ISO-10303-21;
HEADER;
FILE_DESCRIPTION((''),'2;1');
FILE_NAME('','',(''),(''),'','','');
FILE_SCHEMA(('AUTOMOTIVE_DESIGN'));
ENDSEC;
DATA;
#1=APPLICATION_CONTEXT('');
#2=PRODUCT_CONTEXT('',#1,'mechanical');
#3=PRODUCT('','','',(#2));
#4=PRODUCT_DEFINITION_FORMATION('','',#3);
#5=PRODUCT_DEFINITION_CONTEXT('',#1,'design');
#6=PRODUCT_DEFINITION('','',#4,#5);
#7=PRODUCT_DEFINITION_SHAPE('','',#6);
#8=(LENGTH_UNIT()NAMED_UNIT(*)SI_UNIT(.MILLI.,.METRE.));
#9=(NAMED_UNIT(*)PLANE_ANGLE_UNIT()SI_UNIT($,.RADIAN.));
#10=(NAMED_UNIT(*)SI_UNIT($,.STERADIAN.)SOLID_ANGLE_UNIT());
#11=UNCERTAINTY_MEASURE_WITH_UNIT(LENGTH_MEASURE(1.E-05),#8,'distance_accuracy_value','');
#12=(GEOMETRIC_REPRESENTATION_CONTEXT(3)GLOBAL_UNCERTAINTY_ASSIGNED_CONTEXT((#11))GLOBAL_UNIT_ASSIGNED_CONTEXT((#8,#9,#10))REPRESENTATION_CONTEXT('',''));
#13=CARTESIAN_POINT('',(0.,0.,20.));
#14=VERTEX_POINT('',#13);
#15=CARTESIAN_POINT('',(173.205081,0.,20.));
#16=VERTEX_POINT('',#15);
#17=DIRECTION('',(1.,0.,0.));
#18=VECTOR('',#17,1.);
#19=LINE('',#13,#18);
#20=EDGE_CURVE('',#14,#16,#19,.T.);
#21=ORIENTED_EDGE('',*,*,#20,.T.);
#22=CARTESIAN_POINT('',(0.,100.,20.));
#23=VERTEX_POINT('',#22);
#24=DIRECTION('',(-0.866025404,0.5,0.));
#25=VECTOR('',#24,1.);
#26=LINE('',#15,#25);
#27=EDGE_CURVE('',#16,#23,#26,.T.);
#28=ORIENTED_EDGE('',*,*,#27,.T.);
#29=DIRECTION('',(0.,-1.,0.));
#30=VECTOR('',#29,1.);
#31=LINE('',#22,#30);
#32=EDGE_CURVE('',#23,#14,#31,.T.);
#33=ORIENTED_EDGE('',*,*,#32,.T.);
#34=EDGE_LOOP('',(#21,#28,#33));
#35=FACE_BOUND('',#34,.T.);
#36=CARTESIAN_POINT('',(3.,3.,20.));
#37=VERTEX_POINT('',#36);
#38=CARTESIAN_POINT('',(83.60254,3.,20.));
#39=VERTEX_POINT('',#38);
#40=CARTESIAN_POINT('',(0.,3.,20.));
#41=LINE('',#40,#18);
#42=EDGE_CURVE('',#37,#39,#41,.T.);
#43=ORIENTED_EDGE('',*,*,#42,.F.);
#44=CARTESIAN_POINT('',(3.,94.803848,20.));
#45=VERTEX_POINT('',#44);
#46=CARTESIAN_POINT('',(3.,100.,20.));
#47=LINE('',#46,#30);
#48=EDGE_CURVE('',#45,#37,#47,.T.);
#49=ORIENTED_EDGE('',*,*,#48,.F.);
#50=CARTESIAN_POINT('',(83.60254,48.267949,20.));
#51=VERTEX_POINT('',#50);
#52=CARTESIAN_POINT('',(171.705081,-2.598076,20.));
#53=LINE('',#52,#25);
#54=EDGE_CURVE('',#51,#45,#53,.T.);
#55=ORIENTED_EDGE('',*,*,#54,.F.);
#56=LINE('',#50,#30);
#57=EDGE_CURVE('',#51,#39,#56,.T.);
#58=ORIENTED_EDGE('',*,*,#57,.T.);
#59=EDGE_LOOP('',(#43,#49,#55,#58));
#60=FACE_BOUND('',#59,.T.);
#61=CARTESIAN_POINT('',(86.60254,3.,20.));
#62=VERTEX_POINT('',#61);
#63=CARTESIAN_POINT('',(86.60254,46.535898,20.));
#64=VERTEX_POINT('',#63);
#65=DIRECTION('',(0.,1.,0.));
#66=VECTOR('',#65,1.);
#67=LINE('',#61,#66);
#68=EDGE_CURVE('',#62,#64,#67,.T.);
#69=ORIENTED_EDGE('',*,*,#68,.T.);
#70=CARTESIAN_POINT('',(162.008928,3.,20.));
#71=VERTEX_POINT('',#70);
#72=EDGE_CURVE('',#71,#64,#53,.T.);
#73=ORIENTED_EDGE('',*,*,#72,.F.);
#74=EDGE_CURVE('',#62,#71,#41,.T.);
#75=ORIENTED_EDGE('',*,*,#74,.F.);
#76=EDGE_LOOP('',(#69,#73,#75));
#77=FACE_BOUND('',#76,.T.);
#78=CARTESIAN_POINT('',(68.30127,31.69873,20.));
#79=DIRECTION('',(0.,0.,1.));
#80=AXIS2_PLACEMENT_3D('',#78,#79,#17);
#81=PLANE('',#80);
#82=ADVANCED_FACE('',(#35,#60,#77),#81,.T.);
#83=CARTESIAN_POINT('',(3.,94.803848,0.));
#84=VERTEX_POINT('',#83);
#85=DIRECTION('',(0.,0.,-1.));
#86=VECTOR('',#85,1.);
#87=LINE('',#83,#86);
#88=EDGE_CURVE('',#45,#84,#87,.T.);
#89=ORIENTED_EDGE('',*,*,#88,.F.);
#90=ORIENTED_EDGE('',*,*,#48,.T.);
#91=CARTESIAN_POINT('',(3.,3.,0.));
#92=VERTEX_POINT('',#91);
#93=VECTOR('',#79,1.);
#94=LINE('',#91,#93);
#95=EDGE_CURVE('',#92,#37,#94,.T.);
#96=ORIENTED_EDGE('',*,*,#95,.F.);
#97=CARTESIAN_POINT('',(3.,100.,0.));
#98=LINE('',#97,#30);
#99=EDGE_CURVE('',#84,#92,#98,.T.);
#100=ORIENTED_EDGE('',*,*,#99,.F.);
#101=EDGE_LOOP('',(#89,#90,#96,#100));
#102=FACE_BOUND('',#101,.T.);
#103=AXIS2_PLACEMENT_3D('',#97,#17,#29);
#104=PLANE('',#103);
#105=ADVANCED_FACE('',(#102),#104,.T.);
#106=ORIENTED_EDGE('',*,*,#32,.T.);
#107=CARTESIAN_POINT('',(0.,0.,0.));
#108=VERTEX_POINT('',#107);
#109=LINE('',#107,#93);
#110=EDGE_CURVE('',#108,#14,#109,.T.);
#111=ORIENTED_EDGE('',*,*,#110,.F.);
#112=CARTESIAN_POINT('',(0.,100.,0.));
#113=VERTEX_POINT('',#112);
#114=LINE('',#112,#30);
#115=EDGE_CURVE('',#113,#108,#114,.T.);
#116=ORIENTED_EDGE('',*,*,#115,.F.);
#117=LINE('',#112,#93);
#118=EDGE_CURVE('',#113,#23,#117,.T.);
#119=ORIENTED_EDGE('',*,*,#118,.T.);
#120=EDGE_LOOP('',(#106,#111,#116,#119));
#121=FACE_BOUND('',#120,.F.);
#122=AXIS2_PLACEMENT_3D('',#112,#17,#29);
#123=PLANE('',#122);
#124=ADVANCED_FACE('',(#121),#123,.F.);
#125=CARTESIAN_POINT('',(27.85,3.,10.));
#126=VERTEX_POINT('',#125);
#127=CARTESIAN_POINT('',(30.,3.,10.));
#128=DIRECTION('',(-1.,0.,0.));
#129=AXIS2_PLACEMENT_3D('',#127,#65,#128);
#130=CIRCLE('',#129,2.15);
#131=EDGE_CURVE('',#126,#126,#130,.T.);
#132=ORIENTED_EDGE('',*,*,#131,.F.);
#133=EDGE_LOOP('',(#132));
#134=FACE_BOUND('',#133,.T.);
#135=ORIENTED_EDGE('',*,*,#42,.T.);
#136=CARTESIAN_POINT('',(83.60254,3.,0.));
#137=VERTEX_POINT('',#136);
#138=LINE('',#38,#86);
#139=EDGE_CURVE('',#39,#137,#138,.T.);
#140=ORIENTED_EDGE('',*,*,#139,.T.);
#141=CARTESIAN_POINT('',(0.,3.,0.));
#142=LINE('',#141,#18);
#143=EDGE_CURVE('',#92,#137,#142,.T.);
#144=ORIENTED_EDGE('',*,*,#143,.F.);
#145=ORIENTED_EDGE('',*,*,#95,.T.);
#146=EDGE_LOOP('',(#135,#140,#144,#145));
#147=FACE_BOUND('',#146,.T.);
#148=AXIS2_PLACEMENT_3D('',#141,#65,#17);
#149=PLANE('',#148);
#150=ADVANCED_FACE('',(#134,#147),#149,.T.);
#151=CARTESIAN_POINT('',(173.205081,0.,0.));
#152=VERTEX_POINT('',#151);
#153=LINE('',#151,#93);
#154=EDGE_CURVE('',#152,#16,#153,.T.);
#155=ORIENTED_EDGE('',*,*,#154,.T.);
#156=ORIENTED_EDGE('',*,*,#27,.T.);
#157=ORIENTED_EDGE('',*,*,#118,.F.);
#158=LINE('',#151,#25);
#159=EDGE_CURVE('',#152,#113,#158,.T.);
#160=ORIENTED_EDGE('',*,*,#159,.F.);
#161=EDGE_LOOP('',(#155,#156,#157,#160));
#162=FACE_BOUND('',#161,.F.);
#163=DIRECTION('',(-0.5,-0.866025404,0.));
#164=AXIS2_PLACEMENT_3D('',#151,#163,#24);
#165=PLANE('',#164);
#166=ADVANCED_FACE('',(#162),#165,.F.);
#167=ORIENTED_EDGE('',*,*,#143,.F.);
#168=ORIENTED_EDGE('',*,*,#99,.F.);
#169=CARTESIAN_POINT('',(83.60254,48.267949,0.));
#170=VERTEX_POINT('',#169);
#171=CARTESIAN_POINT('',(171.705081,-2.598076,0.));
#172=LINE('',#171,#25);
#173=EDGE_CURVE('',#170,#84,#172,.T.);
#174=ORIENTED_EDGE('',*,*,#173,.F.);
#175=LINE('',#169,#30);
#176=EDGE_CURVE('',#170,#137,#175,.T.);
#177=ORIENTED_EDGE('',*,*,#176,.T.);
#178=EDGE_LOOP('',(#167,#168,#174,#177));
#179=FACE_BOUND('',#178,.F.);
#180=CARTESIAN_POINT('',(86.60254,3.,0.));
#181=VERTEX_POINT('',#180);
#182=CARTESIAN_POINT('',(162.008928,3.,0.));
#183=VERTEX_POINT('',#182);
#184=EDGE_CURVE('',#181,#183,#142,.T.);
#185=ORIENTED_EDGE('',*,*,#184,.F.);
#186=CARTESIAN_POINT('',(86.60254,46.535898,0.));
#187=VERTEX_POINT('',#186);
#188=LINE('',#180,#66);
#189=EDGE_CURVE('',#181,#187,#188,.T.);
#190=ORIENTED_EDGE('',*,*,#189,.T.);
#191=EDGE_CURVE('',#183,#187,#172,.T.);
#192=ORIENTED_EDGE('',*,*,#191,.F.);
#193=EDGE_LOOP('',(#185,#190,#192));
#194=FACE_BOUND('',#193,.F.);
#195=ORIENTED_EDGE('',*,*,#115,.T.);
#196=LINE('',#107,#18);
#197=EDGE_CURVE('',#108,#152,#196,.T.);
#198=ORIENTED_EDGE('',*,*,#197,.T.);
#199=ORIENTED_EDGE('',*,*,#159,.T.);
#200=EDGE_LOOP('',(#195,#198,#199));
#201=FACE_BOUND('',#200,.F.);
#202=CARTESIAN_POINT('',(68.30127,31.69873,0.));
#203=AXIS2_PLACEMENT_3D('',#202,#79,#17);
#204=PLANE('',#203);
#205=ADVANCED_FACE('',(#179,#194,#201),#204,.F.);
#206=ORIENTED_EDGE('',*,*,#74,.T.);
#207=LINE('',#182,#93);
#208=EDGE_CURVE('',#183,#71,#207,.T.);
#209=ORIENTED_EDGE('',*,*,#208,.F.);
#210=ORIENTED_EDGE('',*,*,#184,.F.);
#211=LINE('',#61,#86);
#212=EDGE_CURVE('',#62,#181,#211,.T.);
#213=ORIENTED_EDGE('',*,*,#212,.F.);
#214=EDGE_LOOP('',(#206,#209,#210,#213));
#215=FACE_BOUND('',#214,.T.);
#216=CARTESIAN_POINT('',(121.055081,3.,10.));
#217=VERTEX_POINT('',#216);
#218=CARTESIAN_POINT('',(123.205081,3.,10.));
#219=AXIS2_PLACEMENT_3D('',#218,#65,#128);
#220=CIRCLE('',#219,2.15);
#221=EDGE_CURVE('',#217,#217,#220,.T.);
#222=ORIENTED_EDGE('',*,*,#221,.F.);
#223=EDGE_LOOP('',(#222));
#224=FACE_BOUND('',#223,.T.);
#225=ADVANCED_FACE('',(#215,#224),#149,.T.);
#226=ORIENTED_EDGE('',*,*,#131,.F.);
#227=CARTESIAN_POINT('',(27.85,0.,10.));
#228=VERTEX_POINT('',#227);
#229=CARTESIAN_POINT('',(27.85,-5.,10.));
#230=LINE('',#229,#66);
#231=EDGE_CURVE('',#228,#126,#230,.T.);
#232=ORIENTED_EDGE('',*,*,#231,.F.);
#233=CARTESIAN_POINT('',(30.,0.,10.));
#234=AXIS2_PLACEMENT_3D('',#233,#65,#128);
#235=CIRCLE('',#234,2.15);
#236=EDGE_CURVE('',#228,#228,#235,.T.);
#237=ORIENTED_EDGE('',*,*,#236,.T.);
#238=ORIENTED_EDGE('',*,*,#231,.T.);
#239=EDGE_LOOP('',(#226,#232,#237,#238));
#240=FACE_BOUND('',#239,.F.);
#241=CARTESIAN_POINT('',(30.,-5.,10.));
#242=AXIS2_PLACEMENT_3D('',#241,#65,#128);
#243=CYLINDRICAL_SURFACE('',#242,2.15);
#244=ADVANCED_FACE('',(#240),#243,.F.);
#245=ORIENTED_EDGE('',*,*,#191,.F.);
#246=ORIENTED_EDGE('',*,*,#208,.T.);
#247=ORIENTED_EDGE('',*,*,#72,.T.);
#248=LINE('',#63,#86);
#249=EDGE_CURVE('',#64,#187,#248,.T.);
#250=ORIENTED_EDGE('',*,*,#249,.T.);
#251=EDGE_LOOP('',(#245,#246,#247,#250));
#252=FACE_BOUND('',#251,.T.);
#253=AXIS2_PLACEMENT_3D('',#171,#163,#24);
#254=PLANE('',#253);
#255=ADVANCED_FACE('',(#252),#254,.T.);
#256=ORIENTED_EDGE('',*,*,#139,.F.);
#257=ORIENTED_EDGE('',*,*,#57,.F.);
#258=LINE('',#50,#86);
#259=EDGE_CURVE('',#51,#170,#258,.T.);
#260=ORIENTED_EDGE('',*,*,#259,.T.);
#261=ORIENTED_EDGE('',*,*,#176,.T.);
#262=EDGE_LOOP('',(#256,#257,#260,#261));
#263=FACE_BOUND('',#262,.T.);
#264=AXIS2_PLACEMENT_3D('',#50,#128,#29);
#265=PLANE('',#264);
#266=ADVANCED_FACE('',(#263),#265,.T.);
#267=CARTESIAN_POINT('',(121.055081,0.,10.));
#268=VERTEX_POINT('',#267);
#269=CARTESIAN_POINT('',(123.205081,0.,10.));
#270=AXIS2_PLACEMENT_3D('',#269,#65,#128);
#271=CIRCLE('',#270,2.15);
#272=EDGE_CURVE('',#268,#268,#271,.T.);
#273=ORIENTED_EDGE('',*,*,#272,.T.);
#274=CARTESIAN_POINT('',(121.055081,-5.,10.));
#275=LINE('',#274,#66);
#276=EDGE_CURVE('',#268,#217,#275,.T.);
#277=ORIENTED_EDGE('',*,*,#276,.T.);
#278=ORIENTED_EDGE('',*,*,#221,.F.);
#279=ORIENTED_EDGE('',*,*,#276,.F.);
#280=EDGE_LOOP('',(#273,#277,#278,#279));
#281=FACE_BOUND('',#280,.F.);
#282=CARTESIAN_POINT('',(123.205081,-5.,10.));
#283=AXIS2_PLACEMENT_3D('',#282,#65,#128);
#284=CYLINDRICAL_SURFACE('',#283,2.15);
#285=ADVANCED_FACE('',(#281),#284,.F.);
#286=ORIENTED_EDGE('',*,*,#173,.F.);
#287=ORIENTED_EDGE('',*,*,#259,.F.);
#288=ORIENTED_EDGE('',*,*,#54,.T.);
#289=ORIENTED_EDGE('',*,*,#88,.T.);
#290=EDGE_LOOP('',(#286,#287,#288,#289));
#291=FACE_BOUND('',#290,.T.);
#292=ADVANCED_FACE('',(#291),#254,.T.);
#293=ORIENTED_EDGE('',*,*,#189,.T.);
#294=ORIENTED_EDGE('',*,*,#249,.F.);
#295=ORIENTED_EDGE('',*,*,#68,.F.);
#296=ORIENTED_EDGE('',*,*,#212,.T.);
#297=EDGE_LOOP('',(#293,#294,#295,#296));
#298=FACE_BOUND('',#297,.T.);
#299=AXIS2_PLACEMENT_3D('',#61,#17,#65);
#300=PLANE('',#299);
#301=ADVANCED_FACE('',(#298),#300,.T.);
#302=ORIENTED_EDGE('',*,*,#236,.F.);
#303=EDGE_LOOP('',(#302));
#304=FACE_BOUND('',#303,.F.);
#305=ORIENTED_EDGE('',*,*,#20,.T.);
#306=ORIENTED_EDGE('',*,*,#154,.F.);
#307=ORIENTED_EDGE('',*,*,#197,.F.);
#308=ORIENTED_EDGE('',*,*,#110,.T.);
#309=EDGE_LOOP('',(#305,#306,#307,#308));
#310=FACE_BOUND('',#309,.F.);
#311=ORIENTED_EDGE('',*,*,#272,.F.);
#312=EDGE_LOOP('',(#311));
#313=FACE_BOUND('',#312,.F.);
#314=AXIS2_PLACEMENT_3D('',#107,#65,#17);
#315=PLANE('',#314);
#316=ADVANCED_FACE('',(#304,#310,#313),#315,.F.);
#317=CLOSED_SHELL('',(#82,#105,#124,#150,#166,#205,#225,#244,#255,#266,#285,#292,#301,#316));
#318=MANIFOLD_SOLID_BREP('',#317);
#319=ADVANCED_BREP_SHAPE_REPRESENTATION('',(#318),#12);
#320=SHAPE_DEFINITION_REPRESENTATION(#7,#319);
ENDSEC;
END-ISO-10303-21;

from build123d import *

# Parameters (mm, degrees)
F1_DEPTH = 20
F2_T     = -3
F4_DEPTH = 20
F6_D     = 4.3
F6_DEPTH = 5
F6_TIP   = 1.2918503309


with BuildPart() as f1:
    # F0 (on Top) → F1 (new body)
    with BuildSketch(Plane.XY):
        Polygon((0, 100), (0, 0), (173.2050807569, 0), align=None)
    extrude(amount=F1_DEPTH)

    # F2
    f2_openings = [f1.faces().sort_by_distance(p)[0] for p in [
        (57.735027, 33.333333, 20),
        (57.735027, 33.333333, 0),
    ]]
    offset(amount=F2_T, openings=f2_openings)

    # F3 (on face) → F4 (join)
    with BuildSketch(Plane.XY.offset(20)):
        Polygon((86.6025403784, 3), (86.6025403784, 46.5358983849), (83.6025403784, 48.2679491924), (83.6025403784, 3), align=None)
    extrude(amount=-F4_DEPTH)

    # F6
    with Locations(Plane.XZ):
        with Locations((30, 10), (123.2050807569, 10)):
            Hole(F6_D / 2, depth=F6_DEPTH)
            with Locations((0, 0, -(F6_DEPTH + F6_TIP / 2))):  # 118° drill point
                Cone(0, F6_D / 2, F6_TIP, mode=Mode.SUBTRACT)


solid = f1.part
